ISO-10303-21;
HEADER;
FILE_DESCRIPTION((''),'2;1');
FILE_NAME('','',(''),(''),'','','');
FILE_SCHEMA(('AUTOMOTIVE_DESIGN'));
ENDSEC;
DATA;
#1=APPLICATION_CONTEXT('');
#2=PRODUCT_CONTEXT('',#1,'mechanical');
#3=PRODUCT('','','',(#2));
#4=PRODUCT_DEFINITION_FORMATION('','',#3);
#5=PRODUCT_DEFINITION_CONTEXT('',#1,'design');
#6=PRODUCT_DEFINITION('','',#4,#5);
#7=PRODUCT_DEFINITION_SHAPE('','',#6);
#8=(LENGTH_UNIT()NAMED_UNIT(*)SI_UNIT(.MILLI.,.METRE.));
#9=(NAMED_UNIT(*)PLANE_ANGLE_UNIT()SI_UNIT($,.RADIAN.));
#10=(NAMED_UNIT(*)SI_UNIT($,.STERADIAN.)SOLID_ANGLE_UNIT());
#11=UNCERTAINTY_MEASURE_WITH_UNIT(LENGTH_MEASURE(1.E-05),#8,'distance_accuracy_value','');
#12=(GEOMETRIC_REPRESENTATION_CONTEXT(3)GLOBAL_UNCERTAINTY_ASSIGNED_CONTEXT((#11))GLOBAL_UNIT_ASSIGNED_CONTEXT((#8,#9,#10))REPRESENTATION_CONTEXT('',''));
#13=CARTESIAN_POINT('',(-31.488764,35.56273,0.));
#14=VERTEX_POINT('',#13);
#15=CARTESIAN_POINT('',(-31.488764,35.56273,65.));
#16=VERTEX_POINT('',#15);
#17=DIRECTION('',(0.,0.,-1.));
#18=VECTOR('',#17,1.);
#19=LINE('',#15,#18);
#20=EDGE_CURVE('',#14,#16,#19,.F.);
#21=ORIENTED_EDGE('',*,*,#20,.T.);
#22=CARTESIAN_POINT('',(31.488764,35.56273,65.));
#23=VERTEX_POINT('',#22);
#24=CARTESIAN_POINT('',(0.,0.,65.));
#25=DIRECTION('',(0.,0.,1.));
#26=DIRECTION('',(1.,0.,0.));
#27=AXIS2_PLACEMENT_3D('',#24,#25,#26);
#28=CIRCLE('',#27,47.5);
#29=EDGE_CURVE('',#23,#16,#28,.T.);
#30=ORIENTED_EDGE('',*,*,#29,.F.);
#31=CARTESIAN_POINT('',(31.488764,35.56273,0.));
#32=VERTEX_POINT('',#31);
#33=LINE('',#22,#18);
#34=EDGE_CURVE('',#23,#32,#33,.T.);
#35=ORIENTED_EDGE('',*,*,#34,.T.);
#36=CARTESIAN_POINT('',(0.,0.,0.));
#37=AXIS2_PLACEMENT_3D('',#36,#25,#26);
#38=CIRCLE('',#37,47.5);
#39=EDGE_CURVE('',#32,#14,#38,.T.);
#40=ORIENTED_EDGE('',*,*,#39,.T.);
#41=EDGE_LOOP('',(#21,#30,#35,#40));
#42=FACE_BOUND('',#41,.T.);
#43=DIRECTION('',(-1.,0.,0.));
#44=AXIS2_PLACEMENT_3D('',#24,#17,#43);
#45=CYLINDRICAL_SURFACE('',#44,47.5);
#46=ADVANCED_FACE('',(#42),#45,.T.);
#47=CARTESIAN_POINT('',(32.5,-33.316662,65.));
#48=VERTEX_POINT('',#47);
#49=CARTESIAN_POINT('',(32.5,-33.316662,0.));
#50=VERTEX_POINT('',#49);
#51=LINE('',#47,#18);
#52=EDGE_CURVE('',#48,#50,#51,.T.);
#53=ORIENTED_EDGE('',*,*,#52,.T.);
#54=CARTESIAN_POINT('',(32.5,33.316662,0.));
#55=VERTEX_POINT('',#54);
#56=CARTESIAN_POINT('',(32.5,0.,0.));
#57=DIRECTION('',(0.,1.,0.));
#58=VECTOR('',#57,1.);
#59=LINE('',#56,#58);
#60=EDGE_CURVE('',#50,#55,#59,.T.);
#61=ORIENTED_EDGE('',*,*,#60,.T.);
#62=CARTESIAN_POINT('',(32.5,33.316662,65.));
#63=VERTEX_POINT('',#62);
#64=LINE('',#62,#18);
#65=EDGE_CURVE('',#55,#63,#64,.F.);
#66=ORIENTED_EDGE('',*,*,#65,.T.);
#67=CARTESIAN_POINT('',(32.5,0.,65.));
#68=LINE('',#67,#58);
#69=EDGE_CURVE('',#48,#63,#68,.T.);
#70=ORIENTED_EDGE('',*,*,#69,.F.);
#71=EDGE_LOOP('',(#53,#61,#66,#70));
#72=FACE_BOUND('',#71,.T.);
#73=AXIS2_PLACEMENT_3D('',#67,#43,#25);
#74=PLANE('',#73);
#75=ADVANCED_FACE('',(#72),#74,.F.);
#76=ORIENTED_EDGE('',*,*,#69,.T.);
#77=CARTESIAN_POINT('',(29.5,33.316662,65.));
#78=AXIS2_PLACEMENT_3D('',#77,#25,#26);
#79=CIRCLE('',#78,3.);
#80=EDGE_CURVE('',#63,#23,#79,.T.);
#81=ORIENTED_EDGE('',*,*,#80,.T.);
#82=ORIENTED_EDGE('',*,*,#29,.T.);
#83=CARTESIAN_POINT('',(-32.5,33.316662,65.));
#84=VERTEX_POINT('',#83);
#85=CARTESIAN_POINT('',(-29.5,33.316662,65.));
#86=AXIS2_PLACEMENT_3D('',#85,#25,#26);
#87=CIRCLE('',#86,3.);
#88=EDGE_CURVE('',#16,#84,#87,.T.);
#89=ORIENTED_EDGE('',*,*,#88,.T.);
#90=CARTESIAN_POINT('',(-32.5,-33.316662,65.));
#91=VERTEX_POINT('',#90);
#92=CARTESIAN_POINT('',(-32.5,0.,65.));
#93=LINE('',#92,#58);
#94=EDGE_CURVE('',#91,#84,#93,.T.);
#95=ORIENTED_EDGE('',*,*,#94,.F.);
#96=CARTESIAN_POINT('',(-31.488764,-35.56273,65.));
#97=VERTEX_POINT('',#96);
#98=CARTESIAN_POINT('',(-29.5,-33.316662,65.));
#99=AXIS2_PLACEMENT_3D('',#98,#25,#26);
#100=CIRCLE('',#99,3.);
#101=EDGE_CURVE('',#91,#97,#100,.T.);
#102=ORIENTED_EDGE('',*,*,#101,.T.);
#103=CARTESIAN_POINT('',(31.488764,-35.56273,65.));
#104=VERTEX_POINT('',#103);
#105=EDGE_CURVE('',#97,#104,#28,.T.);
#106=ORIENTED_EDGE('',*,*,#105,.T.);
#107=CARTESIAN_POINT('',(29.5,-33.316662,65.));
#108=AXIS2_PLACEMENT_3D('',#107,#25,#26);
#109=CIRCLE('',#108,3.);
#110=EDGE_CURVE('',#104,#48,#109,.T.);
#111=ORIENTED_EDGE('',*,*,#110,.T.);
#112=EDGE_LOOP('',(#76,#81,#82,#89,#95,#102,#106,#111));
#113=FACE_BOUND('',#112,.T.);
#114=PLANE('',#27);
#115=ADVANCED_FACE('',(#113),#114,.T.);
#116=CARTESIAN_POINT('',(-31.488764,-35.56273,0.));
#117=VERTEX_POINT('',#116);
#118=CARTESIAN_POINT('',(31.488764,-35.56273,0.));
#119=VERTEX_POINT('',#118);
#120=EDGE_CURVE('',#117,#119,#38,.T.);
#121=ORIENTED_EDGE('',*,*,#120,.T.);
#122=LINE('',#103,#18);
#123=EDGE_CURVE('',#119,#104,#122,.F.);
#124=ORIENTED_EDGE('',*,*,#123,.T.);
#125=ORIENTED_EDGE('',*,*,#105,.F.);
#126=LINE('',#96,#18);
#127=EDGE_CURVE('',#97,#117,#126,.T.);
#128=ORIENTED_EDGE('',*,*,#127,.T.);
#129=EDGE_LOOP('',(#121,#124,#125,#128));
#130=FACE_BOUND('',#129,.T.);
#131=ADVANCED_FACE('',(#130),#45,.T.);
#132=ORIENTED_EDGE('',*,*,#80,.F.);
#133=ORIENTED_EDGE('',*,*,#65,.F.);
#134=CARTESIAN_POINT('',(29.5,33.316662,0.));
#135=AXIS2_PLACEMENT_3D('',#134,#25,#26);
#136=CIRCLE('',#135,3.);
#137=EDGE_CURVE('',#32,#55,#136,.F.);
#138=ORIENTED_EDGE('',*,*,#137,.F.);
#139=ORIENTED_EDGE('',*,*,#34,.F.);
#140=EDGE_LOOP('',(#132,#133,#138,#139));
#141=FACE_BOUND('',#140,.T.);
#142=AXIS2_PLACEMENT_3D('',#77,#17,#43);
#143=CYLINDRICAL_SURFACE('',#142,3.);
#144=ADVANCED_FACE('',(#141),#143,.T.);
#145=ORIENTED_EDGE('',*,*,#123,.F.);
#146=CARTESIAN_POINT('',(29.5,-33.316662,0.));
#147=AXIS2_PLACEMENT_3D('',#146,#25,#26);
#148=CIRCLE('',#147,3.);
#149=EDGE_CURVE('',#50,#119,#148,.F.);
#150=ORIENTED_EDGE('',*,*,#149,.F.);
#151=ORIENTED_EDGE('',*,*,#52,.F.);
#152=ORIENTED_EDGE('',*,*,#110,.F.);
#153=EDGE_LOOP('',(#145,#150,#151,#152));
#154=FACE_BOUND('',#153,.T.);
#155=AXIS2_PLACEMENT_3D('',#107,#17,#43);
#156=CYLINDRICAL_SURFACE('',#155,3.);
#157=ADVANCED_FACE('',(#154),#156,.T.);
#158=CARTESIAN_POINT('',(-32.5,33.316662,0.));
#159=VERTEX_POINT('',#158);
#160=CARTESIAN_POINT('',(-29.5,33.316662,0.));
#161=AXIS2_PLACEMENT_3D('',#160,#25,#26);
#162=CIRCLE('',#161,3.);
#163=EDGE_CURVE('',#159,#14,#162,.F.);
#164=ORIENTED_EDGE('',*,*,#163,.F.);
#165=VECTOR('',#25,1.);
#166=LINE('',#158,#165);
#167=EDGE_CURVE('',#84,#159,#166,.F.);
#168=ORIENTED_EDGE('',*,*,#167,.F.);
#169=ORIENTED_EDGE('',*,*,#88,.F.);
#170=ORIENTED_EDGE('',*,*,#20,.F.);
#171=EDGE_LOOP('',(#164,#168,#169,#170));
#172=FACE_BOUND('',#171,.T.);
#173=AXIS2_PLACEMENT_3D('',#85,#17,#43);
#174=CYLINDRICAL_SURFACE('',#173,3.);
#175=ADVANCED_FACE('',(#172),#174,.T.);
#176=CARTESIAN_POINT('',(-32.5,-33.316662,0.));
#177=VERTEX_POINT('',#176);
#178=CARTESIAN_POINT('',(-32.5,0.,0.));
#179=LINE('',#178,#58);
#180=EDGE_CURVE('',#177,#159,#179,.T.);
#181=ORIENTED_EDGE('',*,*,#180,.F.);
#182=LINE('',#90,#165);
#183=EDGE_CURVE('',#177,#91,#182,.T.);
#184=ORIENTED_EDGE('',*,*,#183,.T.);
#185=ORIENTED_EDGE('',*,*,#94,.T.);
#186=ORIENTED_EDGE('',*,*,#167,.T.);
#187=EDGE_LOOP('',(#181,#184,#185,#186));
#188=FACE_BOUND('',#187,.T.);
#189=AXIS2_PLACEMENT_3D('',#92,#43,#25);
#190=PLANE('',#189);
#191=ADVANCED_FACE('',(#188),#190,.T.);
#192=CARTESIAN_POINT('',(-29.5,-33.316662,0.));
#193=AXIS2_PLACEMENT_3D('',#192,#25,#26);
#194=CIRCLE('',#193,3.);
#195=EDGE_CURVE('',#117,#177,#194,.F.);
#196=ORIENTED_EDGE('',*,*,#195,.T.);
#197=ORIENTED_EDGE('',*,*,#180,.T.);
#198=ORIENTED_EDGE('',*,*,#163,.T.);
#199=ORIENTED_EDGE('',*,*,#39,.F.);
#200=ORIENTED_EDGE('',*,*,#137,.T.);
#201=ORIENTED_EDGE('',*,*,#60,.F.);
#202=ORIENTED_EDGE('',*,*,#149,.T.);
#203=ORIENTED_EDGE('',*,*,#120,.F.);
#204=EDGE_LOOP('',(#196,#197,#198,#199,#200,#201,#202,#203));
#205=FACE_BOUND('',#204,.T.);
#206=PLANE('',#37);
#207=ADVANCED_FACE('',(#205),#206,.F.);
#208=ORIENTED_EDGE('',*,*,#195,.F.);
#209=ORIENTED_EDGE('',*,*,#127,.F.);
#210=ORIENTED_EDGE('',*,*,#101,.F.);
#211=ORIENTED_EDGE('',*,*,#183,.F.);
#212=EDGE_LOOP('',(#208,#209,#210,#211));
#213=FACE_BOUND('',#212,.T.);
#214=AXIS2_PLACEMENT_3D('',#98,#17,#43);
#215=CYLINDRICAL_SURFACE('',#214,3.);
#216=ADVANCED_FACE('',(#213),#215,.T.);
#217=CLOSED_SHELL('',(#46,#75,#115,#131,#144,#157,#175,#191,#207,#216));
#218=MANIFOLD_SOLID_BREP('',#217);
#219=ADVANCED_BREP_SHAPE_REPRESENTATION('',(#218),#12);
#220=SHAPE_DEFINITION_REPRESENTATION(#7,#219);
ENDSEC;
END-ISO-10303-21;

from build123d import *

# Parameters (mm, degrees)
SKETCH_1_W      = 65
SKETCH_1_H      = 69.282032302
EXTRUDE_1_DEPTH = 65
FILLET_2_R      = 3


with BuildPart() as part:
    # Эскиз1 → Бобышка-Вытянуть1 (new body)
    with BuildSketch(Plane.XY):
        with BuildLine():
            Line((-32.5, 34.641016151), (32.5, 34.641016151))
            ThreePointArc((32.5, 34.641016151), (0, 47.5), (-32.5, 34.641016151))
        make_face()
        Rectangle(SKETCH_1_W, SKETCH_1_H)
        with BuildLine():
            ThreePointArc((-32.5, -34.641016151), (0, -47.5), (32.5, -34.641016151))
            Line((32.5, -34.641016151), (-32.5, -34.641016151))
        make_face()
    extrude(amount=EXTRUDE_1_DEPTH)

    # Скругление2
    fillet_2_edges = [part.edges().sort_by_distance(p)[0] for p in [
        (32.5, 34.641016151, 32.5),
        (32.5, -34.641016151, 32.5),
        (-32.5, -34.641016151, 32.5),
        (-32.5, 34.641016151, 32.5),
    ]]
    fillet(fillet_2_edges, radius=FILLET_2_R)


solid = part.part
